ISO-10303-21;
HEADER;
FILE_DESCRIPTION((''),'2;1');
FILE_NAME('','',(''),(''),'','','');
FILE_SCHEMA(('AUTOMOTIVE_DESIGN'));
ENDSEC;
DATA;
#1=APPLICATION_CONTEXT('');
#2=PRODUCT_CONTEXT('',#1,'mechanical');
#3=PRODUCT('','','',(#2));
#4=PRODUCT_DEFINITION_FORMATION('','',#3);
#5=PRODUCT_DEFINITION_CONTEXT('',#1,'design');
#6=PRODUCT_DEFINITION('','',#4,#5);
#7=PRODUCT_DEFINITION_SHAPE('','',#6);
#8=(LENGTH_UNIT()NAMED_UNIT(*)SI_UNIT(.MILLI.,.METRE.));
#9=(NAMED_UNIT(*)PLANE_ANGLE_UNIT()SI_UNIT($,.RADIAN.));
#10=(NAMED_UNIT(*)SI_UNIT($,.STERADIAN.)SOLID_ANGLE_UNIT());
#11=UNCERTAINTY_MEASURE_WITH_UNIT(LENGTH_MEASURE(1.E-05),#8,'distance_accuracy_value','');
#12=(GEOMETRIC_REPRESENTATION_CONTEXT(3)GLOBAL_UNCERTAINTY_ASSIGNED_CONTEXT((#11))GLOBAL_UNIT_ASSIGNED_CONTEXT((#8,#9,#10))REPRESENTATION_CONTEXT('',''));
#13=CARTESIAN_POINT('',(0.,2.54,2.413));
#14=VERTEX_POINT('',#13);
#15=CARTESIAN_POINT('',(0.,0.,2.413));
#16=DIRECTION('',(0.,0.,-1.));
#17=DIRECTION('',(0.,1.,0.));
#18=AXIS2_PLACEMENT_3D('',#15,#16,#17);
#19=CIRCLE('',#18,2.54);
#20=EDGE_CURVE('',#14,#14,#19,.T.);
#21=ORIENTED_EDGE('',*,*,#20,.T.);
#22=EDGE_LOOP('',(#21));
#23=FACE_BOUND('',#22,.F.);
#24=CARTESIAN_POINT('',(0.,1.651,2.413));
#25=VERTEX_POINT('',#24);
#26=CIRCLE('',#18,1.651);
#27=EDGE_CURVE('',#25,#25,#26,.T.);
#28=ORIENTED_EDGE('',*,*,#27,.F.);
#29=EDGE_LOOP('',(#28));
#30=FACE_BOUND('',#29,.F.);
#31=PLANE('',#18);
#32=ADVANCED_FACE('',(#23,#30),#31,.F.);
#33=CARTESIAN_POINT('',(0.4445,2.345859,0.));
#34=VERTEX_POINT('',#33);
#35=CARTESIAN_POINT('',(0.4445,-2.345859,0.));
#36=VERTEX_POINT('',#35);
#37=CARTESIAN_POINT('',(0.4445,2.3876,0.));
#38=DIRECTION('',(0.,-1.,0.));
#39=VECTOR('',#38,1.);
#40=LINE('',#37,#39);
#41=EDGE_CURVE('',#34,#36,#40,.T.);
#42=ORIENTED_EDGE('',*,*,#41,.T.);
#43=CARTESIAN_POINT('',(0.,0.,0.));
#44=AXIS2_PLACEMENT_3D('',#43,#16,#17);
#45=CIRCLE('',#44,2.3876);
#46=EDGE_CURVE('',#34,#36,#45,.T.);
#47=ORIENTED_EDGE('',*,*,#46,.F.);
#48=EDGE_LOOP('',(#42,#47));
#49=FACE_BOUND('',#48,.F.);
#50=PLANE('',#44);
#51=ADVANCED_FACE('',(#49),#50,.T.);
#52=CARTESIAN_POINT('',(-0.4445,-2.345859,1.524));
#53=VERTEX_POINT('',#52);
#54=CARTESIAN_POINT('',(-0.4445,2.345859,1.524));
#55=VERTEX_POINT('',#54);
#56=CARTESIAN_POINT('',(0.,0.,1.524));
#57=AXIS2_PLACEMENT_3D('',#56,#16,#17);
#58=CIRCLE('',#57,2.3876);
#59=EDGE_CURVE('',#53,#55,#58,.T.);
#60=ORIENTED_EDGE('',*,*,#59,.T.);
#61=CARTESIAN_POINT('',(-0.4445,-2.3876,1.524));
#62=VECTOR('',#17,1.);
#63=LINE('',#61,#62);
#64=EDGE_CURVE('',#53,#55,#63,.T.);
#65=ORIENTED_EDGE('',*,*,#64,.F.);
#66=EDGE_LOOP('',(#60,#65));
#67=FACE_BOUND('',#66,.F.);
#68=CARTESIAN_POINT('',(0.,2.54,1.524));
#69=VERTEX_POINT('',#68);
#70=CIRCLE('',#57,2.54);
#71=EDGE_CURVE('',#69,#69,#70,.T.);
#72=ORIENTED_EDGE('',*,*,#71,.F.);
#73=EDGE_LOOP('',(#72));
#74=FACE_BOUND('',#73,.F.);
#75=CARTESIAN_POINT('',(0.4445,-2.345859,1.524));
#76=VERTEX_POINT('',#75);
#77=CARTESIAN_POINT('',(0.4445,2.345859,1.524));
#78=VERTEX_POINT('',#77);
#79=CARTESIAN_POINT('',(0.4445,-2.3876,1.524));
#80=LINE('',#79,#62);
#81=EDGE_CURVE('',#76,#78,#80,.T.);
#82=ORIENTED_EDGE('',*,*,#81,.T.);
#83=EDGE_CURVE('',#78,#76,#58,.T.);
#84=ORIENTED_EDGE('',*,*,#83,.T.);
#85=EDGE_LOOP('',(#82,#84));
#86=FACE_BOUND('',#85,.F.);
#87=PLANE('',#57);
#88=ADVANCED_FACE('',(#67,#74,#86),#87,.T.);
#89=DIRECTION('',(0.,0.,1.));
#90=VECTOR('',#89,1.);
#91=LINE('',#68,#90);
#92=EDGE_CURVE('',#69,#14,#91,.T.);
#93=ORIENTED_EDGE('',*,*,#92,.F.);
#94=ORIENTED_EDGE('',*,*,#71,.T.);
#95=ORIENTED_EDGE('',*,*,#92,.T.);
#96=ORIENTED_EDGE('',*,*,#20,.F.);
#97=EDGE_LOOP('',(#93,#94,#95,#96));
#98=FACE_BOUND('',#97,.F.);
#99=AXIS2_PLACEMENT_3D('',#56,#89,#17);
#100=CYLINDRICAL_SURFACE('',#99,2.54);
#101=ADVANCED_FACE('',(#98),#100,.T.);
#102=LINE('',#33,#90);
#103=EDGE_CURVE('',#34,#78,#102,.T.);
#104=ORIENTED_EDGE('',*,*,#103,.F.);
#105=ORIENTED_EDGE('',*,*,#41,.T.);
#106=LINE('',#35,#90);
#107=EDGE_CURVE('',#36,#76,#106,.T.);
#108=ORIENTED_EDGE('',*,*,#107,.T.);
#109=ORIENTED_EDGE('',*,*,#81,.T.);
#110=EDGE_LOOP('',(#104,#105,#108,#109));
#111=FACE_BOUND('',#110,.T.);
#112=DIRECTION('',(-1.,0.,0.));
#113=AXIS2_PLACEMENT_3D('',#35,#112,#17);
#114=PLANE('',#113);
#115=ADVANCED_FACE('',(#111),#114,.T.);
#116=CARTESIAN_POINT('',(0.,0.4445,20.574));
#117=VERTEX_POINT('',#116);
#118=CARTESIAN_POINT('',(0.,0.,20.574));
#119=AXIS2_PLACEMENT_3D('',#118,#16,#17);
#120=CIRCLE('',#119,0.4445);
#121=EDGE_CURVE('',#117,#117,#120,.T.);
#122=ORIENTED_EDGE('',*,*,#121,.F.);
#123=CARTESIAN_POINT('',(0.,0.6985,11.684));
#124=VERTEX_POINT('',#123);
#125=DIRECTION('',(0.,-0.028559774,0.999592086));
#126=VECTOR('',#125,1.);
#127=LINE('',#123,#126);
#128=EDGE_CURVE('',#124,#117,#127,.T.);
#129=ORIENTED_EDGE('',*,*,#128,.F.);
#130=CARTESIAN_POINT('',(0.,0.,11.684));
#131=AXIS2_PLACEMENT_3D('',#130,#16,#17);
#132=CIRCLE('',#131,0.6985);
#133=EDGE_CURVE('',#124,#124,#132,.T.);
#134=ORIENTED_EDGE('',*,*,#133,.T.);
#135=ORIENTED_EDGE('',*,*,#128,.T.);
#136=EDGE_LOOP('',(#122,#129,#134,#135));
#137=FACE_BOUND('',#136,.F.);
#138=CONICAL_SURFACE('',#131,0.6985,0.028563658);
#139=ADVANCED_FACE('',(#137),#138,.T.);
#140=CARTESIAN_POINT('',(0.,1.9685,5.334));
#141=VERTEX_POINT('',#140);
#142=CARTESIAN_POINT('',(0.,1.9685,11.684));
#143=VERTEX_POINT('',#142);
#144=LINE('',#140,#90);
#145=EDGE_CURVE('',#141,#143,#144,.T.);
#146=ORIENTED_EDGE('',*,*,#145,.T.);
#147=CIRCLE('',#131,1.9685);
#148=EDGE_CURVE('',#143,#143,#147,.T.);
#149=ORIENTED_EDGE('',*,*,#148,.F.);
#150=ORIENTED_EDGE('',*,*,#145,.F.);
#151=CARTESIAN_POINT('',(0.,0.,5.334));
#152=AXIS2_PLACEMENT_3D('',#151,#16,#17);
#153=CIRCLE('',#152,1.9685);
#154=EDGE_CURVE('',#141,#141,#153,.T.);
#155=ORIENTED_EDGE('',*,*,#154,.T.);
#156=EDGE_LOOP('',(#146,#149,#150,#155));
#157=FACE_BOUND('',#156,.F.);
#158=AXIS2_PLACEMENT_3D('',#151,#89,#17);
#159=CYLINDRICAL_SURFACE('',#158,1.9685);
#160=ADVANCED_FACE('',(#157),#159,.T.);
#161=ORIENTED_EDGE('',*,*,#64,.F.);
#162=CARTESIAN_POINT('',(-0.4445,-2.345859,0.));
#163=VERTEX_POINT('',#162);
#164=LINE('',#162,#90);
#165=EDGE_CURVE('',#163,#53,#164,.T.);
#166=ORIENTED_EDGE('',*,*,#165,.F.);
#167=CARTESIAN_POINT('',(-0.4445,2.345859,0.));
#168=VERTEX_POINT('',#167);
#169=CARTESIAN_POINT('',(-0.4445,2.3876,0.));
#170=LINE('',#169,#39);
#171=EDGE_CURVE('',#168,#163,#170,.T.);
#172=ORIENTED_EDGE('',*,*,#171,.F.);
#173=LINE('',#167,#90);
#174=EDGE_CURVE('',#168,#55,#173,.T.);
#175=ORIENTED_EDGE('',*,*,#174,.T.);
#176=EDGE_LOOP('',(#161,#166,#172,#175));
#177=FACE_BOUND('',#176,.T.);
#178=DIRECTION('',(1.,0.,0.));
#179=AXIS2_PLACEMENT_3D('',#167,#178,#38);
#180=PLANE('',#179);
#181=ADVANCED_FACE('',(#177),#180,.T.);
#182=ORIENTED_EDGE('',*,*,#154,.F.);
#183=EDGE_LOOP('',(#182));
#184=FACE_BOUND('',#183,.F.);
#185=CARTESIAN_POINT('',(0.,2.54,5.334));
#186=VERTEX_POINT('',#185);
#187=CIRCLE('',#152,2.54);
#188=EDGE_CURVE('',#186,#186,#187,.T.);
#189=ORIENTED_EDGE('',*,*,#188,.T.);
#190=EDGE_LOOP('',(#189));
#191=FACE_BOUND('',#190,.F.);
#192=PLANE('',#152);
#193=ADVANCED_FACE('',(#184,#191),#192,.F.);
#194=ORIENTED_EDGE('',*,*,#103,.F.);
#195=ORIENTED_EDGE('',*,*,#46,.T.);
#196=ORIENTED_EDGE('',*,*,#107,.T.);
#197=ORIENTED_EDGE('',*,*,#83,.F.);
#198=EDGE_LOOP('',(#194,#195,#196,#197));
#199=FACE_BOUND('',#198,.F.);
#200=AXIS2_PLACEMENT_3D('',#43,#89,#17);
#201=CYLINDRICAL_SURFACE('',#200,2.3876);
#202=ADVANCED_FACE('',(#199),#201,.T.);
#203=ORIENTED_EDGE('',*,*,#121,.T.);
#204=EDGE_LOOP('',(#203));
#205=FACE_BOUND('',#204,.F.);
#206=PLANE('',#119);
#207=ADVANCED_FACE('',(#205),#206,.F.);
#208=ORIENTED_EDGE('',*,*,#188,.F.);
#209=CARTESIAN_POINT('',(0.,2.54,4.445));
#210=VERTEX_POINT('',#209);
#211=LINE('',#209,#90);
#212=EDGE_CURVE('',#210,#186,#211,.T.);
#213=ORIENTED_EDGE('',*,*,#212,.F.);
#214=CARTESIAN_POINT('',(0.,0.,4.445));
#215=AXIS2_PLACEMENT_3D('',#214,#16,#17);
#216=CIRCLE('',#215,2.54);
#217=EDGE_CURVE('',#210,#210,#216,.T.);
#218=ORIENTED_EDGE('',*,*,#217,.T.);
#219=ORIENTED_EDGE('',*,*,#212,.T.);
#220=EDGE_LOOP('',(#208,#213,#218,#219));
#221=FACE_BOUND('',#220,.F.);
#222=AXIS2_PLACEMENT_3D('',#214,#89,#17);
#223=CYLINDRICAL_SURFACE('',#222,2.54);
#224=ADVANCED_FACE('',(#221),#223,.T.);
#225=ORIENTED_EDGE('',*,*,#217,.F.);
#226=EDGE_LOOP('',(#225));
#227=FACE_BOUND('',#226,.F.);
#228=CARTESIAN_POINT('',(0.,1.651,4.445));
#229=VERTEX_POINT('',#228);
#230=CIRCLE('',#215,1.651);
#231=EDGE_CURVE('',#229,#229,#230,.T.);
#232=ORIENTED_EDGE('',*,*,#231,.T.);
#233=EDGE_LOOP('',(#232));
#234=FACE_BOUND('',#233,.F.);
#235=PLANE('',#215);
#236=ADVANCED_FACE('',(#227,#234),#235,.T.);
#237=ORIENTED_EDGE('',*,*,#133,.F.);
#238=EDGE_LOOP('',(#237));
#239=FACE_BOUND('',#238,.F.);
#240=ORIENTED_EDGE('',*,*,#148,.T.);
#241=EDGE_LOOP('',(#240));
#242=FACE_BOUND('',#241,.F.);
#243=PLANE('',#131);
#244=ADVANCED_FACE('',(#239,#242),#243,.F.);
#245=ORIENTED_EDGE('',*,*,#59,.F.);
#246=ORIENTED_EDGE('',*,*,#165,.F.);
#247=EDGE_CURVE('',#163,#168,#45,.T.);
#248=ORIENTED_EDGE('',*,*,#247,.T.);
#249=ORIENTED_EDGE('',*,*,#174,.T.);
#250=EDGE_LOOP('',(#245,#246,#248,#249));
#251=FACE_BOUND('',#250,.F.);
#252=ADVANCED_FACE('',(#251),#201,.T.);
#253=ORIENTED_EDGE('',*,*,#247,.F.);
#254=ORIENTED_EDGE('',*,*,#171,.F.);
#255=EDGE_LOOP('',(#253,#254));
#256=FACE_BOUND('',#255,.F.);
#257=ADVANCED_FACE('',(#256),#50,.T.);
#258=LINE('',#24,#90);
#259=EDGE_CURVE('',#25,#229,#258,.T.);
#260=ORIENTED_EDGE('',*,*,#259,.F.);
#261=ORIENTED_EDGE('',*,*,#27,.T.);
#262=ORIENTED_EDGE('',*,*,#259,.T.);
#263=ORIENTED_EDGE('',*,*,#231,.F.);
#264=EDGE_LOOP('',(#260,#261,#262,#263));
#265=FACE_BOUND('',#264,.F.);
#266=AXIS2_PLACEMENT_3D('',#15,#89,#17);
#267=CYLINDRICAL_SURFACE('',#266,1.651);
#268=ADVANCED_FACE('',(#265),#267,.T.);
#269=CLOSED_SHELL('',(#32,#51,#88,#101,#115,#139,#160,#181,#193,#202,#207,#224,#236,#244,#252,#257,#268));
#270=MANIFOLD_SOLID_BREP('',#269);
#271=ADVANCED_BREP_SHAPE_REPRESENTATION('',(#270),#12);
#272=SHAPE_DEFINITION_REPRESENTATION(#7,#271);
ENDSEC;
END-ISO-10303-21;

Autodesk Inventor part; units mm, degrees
ref_plane "YZ Plane" through (0, 0, 0) normal (1, 0, 0) x (0, 1, 0)
ref_plane "XZ Plane" through (0, 0, 0) normal (0, 1, 0) x (-1, 0, 0)
ref_plane "XY Plane" through (0, 0, 0) normal (0, 0, 1) x (1, 0, 0)
sketch "Sketch1" plane through (0, 0, 0) normal (1, 0, 0) x (0, 1, 0)
  line L0 (0, 0) -> (0, -2.5116) construction
  line L1 (0, 0) -> (2.3876, 0)
  line L2 (2.3876, 0) -> (2.3876, 1.524)
  line L3 (2.3876, 1.524) -> (2.54, 1.524)
  line L4 (2.54, 1.524) -> (2.54, 2.413)
  line L5 (2.54, 2.413) -> (1.651, 2.413)
  line L6 (1.651, 2.413) -> (1.651, 4.445)
  line L7 (1.651, 4.445) -> (2.54, 4.445)
  line L8 (2.54, 4.445) -> (2.54, 5.334)
  line L9 (2.54, 5.334) -> (1.9685, 5.334)
  line L10 (1.9685, 5.334) -> (1.9685, 11.684)
  line L11 (1.9685, 11.684) -> (0.6985, 11.684)
  line L12 (0.6985, 11.684) -> (0.4445, 20.574)
  line L13 (0.4445, 20.574) -> (0, 20.574)
  line L14 (0, 20.574) -> (0, 0)
  dimension "d0" = 4.7752
  dimension "d2" = 5.08
  dimension "d3" = 3.302
  dimension "d4" = 3.937
  dimension "d5" = 1.397
  dimension "d6" = 0.889
  dimension "d7" = 1.524
  dimension "d8" = 2.413
  dimension "d9" = 4.445
  dimension "d10" = 5.334
  dimension "d11" = 11.684
  dimension "d12" = 20.574
revolve "Revolution1" add sketch "Sketch1" angle 360 about axis through (0, 0, 0) along (0, 0, -1)
sketch "Sketch2" plane through (0, 0, 0) normal (0, 0, -1) x (-1, 0, 0)
  circle A0 centre (0, 0) radius 2.3876 projected
  line L0 (-0.4445, 2.3876) -> (0.4445, 2.3876)
  line L1 (0.4445, 2.3876) -> (0.4445, -2.3876)
  line L2 (0.4445, -2.3876) -> (-0.4445, -2.3876)
  line L3 (-0.4445, -2.3876) -> (-0.4445, 2.3876)
  dimension "d14" = 0.889
  dimension "d16" = 0.4445
extrude "Extrusion1" cut sketch "Sketch2" against normal blind 1.524 contours L1 A0 L3 | A0 L0 L1 | L1 L2 A0 | A0 L3 L0 | L2 L3 A0
thread "Thread1" size "8-32 UNC" class "2A" standard "ANSI Unified Screw Threads" full length
equation "\"d16\" = 0.5 * d14"
properties part number "Fuel Intake Adjuster Pin"
